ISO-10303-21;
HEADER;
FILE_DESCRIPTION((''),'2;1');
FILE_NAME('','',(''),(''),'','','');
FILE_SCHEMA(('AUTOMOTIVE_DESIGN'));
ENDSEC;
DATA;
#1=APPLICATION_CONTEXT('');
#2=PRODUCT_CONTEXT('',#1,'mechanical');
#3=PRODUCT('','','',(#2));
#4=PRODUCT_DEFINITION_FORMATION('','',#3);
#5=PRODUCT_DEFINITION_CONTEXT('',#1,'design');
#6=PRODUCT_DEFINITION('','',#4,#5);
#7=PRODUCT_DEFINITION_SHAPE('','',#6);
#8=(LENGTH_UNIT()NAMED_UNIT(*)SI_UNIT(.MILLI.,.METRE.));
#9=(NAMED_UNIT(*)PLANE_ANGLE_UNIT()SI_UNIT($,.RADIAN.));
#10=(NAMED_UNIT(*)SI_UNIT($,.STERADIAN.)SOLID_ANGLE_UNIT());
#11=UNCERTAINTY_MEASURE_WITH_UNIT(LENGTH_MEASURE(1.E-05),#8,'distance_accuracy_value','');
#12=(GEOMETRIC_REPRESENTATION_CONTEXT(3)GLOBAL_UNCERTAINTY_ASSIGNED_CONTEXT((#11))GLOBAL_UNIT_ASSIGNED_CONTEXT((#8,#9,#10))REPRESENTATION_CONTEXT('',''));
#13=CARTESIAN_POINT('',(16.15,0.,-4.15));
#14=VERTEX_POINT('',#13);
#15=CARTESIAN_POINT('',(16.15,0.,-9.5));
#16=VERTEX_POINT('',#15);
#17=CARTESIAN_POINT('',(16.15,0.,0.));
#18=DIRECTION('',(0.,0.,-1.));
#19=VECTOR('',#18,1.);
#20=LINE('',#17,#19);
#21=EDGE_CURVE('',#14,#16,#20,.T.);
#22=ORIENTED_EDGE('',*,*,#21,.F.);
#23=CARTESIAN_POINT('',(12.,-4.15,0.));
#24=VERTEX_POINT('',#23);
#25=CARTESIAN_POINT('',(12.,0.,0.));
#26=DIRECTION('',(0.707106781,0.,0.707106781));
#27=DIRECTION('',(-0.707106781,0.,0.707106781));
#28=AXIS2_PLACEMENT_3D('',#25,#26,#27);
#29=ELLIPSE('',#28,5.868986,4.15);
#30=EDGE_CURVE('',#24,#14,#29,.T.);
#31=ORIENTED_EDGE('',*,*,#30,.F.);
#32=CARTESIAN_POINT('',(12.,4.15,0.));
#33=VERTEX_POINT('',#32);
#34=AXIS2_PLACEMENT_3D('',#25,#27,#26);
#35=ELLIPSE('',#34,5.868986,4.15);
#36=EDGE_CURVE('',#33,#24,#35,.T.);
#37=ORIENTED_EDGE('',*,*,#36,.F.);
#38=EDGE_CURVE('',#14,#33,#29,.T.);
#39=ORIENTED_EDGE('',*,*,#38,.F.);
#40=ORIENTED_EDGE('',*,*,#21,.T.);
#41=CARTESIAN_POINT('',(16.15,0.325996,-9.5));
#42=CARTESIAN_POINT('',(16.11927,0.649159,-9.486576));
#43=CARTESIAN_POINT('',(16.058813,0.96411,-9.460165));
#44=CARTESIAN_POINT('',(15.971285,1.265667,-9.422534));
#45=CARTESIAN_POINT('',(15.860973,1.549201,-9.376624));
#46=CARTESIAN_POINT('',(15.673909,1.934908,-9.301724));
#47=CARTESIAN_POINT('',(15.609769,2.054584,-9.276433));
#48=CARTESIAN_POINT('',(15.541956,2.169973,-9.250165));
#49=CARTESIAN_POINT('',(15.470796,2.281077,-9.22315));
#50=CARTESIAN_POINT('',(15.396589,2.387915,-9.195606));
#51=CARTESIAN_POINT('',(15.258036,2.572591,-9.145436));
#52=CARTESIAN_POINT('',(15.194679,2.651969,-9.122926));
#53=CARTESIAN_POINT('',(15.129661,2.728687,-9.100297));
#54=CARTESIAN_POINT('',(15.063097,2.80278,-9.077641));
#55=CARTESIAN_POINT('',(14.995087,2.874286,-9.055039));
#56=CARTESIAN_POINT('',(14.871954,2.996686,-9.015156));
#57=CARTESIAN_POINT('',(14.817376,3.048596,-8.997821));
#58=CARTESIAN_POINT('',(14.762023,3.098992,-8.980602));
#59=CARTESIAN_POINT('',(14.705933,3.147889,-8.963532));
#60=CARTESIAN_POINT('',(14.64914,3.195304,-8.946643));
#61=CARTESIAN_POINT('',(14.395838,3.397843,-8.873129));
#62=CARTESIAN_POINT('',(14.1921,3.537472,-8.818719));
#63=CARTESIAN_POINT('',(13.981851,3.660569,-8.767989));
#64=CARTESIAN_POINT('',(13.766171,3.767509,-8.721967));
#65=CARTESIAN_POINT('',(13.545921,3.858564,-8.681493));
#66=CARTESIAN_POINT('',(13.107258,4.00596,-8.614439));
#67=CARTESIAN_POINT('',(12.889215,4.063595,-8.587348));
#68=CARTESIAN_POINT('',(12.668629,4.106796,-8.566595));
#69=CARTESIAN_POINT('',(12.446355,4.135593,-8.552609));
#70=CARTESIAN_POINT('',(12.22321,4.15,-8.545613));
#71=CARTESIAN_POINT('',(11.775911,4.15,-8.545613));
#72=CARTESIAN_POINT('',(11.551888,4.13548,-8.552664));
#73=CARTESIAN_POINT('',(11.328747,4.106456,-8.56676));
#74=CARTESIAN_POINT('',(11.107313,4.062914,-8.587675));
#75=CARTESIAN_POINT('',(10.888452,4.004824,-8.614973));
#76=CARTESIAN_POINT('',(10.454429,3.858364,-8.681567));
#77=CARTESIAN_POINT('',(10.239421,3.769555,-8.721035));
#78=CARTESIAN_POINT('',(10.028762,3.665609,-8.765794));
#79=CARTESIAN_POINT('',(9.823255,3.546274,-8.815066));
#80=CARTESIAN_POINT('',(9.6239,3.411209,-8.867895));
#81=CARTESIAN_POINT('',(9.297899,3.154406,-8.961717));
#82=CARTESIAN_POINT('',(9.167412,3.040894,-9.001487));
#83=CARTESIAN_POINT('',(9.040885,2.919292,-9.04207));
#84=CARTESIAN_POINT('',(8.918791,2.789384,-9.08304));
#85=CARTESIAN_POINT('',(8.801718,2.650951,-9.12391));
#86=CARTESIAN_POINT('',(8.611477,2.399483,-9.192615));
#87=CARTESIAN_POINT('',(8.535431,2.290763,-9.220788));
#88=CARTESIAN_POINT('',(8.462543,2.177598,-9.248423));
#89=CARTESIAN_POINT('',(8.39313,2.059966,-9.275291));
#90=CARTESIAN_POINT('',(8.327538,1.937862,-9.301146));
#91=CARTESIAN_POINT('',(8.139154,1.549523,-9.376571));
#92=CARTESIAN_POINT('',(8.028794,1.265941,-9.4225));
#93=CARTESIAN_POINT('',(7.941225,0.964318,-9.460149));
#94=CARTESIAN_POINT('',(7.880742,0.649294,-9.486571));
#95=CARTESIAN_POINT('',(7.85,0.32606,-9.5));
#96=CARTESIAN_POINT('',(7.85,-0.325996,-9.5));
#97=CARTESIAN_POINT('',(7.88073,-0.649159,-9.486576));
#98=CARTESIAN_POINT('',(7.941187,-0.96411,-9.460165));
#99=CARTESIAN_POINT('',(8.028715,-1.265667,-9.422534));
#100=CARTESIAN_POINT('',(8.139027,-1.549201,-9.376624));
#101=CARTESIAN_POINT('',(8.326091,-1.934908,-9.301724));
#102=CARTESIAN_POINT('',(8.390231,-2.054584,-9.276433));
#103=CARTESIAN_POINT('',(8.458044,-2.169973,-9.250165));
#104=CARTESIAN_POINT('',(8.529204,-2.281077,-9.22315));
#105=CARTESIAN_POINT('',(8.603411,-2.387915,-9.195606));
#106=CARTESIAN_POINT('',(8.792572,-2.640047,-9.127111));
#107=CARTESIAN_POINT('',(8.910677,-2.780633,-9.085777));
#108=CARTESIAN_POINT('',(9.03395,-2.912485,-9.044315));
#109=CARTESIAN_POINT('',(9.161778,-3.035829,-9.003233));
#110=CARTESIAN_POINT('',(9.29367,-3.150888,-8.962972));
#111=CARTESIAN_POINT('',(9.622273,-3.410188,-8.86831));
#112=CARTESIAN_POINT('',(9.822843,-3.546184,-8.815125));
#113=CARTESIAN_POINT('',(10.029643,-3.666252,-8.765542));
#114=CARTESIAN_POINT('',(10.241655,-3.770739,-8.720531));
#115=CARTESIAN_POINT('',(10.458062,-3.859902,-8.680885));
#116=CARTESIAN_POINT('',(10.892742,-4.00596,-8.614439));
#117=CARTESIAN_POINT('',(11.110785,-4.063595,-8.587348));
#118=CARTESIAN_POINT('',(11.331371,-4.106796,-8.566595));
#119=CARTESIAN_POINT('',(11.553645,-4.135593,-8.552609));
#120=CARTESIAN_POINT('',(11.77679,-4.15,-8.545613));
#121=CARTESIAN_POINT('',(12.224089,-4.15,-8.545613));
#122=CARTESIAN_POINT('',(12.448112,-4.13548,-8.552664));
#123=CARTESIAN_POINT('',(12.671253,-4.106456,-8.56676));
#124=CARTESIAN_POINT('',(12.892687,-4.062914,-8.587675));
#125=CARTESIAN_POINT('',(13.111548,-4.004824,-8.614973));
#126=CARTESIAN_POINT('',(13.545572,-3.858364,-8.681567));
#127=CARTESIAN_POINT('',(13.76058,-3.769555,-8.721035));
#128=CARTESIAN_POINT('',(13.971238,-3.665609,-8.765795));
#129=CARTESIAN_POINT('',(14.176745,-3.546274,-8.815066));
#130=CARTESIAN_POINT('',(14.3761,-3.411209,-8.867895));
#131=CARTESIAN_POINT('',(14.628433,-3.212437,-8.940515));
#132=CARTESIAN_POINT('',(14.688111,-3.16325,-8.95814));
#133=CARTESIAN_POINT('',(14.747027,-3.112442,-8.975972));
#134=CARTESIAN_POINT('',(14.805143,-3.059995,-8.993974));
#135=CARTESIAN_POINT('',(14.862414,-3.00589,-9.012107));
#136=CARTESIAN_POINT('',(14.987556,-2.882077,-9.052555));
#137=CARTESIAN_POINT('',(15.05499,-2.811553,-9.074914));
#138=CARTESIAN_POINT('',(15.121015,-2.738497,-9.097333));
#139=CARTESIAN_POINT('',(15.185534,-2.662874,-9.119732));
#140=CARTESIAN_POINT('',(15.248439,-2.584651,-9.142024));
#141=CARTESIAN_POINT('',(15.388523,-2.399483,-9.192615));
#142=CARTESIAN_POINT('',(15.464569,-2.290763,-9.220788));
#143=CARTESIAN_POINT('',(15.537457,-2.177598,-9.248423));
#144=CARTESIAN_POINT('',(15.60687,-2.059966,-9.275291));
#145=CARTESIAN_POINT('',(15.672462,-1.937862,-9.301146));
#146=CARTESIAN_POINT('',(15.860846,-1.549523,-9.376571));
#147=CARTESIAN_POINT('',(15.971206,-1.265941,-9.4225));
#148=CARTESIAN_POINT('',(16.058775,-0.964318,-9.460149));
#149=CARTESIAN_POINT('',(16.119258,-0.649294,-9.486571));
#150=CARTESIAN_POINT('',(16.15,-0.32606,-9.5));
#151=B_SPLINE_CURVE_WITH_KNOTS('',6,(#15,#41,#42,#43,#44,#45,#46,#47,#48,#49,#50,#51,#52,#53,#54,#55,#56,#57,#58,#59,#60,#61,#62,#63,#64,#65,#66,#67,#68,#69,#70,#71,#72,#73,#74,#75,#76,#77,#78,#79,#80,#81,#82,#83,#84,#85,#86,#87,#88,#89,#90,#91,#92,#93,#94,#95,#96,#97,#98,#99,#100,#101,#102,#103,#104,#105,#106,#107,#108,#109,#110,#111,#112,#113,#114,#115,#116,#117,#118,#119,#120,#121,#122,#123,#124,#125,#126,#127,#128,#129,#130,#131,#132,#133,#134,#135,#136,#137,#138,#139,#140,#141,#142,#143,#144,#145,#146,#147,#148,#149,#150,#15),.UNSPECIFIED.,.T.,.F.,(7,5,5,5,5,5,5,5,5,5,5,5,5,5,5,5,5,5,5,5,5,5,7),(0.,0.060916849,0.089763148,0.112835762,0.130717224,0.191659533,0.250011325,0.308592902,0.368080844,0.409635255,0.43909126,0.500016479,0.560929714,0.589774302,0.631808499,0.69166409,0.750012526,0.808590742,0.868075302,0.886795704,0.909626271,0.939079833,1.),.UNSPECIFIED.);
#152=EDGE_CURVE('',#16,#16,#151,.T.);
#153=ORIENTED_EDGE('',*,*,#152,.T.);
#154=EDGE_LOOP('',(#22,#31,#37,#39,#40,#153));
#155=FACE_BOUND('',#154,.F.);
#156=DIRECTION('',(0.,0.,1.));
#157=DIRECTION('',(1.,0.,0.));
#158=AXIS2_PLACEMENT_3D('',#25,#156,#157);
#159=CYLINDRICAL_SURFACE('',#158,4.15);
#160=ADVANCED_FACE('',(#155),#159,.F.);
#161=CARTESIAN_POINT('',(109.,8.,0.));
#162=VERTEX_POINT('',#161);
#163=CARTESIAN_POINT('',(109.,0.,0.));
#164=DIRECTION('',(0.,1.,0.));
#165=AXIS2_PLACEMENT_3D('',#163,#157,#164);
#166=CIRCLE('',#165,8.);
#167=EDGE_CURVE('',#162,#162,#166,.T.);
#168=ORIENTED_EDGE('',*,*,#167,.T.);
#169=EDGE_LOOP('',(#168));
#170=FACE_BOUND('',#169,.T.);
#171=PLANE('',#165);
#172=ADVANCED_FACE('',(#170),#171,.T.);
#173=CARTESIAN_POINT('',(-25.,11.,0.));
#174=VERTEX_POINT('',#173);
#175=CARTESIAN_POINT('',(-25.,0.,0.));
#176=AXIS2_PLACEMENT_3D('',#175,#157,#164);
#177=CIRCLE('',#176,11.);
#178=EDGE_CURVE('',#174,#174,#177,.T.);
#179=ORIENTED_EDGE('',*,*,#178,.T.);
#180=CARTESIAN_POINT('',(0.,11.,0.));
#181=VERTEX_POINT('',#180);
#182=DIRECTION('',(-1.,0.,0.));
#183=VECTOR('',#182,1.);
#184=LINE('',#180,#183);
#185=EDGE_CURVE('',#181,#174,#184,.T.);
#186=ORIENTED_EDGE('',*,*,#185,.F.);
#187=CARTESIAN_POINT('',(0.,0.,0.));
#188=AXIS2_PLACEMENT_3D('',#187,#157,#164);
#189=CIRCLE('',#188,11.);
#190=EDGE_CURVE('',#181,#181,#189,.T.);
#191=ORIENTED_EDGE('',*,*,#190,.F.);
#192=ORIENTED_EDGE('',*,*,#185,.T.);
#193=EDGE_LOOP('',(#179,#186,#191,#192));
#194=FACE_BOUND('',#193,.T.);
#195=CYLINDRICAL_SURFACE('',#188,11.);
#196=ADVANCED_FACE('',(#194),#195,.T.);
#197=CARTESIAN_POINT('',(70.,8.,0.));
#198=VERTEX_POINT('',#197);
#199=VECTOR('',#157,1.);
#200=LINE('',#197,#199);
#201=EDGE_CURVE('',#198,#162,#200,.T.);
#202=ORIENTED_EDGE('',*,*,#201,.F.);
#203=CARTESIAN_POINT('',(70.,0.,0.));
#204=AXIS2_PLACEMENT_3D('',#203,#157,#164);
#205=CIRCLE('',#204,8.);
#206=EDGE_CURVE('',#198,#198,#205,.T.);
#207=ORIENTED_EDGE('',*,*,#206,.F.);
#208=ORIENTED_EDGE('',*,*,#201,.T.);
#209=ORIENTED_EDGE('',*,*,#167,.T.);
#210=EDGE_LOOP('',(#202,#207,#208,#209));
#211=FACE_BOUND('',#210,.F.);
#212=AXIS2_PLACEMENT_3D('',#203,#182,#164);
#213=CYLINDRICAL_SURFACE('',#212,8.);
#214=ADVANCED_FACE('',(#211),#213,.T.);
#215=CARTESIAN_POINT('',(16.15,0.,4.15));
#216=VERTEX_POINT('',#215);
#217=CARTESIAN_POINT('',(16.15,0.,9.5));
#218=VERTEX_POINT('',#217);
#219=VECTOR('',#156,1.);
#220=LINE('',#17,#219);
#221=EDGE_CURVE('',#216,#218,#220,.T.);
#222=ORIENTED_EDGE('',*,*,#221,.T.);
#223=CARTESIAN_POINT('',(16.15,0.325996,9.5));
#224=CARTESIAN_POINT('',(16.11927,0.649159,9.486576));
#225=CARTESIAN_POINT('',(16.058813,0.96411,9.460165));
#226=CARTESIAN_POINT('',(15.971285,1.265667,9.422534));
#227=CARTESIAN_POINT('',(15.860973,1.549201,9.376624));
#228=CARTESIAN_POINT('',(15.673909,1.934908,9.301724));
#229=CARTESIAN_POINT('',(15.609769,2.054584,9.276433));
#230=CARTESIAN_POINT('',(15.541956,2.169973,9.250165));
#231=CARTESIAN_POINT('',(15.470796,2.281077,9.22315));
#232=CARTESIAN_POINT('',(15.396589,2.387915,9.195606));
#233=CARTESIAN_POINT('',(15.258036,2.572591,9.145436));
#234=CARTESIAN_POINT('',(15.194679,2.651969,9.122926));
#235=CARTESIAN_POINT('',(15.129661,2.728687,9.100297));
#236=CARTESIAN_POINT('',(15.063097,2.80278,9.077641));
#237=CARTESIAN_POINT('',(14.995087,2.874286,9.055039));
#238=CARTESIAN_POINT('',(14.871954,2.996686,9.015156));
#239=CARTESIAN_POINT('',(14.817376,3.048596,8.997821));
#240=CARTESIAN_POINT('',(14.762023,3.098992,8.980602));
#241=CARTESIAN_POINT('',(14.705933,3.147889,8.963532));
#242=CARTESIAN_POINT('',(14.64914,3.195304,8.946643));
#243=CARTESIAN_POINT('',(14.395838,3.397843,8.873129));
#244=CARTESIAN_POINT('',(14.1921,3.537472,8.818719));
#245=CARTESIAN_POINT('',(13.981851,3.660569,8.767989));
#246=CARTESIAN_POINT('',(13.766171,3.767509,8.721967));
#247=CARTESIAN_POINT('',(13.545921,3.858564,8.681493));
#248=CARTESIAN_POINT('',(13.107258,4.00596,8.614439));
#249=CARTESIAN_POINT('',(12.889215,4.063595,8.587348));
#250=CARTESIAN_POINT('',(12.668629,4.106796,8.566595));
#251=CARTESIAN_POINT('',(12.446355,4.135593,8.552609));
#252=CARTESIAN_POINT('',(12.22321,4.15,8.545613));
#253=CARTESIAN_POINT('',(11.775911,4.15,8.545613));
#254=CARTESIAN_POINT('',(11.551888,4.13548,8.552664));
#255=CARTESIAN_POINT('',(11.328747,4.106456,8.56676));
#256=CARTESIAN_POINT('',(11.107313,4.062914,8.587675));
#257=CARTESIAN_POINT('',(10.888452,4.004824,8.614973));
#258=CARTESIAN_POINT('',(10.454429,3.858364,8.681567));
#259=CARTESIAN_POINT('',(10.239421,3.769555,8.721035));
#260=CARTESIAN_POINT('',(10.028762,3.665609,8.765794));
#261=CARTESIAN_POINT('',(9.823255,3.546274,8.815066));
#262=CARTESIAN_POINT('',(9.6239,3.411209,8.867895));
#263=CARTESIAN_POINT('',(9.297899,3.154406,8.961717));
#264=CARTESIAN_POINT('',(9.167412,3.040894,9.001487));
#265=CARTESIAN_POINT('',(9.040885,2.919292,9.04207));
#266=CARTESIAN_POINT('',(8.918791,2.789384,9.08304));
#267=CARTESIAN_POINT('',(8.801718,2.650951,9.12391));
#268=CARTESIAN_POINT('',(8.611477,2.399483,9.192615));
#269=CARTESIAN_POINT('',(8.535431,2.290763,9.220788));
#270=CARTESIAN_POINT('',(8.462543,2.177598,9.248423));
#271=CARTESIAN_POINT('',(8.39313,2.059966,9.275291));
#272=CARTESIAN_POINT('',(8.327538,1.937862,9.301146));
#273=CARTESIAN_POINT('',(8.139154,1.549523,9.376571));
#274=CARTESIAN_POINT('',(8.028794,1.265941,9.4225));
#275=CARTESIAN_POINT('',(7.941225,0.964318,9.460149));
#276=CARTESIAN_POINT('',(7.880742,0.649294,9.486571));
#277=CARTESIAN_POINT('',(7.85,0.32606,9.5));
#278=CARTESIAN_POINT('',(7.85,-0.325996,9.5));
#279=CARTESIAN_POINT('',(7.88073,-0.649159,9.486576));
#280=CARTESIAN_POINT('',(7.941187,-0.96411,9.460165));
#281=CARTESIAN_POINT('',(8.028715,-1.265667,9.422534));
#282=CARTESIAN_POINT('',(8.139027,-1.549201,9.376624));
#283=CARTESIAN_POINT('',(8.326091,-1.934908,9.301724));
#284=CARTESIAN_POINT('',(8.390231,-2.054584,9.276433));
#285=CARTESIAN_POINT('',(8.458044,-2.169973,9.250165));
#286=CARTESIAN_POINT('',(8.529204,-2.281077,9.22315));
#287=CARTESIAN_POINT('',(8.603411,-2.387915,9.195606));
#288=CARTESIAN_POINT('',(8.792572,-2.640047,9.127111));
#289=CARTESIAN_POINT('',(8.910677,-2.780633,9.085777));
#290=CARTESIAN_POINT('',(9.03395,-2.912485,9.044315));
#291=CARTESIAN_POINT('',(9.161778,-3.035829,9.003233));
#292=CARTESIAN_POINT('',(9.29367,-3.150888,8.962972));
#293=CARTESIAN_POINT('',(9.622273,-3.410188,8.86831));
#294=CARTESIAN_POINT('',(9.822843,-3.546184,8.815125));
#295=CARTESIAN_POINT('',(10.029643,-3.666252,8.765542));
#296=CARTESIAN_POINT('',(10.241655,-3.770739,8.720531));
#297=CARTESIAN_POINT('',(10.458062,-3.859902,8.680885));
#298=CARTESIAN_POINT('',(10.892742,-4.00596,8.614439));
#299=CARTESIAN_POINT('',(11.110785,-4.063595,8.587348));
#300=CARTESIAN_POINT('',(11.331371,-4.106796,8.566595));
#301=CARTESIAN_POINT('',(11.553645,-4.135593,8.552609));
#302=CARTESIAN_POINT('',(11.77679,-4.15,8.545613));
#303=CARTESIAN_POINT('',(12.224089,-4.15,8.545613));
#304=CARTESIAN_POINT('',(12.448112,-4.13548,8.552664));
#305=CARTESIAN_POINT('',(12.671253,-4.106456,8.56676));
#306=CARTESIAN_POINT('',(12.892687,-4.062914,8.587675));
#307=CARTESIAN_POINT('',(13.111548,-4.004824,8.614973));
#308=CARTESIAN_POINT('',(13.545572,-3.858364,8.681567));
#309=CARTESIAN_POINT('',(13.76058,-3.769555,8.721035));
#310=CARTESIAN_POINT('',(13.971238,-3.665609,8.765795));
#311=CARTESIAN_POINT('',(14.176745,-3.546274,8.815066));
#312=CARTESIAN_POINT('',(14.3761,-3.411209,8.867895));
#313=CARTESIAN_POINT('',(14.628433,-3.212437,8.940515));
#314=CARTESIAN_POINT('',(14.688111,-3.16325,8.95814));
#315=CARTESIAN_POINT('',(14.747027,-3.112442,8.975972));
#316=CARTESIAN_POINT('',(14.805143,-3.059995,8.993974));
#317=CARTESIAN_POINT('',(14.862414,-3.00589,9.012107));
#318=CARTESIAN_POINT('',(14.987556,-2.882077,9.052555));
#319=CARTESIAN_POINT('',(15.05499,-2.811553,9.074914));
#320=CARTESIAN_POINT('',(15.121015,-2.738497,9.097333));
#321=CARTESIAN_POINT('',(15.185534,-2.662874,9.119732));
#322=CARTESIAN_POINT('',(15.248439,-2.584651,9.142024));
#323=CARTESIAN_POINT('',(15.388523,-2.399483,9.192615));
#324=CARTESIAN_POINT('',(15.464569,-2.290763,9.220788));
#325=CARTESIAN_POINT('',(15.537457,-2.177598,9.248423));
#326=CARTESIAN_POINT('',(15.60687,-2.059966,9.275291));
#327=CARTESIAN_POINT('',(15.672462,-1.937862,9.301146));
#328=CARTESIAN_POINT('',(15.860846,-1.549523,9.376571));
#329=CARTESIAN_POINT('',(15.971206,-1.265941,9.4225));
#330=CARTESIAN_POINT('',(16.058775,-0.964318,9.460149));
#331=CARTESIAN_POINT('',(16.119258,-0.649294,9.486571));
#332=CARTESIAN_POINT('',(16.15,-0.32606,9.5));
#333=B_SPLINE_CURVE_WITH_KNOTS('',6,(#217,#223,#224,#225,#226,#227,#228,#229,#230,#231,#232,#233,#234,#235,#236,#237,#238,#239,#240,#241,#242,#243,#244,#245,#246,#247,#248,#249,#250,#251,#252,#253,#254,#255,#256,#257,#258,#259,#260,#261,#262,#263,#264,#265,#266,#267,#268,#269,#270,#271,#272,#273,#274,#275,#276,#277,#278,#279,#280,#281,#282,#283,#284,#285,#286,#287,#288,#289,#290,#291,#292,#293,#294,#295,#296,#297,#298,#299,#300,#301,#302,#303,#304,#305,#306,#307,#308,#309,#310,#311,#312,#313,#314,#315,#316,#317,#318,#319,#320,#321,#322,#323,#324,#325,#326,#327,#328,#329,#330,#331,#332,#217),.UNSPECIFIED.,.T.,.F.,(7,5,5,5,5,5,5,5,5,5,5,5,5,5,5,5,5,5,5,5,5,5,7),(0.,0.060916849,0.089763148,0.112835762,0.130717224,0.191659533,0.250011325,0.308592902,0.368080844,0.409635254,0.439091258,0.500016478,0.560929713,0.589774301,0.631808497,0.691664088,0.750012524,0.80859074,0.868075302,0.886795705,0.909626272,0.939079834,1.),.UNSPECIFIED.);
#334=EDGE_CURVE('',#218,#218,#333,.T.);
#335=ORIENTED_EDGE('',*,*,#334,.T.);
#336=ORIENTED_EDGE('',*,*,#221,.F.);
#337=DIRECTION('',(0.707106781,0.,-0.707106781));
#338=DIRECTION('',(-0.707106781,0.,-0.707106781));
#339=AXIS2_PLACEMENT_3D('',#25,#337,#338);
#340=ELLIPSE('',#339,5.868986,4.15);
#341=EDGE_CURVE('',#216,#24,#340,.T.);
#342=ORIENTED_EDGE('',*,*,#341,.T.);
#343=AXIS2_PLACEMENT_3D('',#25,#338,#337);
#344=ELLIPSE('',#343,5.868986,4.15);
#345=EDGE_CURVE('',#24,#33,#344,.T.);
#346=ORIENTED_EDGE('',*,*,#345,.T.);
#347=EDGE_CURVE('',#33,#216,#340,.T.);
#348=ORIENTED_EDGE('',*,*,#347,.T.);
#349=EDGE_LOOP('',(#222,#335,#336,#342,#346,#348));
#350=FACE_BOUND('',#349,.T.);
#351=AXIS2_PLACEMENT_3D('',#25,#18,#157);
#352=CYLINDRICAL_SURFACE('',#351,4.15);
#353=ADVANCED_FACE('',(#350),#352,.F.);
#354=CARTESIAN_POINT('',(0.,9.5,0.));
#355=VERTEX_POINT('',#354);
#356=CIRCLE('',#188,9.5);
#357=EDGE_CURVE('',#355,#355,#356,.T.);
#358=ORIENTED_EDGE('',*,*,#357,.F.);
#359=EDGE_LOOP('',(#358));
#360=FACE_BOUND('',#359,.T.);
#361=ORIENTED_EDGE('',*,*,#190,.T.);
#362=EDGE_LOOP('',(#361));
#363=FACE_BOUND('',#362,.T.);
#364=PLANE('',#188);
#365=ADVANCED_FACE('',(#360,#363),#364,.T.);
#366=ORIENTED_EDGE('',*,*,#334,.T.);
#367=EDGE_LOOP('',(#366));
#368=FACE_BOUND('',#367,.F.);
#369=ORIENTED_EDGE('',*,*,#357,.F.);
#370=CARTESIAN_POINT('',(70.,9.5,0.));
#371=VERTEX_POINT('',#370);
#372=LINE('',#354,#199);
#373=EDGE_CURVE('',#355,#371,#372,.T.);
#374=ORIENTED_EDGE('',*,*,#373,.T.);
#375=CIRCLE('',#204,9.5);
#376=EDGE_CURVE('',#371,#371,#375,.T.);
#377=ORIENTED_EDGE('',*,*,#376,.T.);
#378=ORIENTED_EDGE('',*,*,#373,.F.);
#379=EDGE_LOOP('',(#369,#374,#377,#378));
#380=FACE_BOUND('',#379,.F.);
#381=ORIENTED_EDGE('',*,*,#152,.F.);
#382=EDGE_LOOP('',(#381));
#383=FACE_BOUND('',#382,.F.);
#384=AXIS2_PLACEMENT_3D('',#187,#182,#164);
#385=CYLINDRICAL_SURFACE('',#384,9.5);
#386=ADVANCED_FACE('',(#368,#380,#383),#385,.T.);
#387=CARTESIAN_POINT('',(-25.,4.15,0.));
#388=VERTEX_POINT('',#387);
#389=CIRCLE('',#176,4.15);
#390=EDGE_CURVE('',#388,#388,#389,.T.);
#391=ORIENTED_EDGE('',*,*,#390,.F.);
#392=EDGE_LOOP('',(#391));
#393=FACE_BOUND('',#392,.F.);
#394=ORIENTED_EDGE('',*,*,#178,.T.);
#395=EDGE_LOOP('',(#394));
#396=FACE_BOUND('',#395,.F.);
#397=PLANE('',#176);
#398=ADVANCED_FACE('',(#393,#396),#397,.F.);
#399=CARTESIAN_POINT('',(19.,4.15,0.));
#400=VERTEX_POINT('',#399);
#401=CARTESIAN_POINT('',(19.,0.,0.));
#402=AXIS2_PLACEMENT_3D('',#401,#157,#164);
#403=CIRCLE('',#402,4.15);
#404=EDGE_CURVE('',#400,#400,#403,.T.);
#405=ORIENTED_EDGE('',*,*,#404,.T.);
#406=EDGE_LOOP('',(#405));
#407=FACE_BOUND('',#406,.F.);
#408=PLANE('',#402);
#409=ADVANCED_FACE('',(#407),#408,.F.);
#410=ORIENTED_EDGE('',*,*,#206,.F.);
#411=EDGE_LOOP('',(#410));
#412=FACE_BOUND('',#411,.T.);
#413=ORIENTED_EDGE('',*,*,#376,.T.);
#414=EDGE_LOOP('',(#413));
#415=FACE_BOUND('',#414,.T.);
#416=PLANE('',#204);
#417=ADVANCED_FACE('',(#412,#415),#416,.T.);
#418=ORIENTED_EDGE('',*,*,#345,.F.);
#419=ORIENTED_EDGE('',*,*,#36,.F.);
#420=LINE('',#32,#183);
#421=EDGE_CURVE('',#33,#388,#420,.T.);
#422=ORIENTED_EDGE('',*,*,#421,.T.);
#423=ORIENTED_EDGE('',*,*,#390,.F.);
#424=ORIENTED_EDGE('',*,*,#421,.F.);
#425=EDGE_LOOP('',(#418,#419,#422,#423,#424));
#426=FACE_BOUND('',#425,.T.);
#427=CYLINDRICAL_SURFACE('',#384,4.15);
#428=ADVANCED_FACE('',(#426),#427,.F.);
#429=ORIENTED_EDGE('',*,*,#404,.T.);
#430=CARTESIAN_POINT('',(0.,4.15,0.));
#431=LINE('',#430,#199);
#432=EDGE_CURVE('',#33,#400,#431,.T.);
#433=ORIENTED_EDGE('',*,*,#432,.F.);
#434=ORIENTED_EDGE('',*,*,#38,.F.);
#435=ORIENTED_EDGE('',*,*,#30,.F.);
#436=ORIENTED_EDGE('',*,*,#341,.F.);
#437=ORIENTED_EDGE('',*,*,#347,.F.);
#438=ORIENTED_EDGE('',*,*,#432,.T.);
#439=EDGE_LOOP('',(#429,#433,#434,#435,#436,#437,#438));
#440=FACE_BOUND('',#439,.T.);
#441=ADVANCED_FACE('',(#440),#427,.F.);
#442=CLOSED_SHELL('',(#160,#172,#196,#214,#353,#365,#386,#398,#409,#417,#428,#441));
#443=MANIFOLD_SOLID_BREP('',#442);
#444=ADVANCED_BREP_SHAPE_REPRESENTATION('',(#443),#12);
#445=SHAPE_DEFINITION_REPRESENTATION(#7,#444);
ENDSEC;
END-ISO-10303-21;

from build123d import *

# Parameters (mm, degrees)
F0_R          = 11
F0_R_2        = 4.15
F1_DEPTH      = 25
F2_R          = 9.5
F3_DEPTH      = 70
F5_R          = 4.15
F6_DEPTH      = 11.001
F6_DEPTH_BACK = 11.001
F7_R          = 8
F8_DEPTH      = 39
F9_DEPTH      = 19


with BuildPart() as f1:
    # F0 (on Right) → F1 (new body)
    with BuildSketch(Plane.YZ):
        Circle(F0_R)
        Circle(F0_R_2, mode=Mode.SUBTRACT)
    extrude(amount=-F1_DEPTH)

    # F2 (on face) → F3 (join)
    with BuildSketch(Plane.YZ):
        Circle(F2_R)
    extrude(amount=F3_DEPTH)

    # F5 (on plane+point) → F6 (cut, two sides)
    with BuildSketch(Plane.XY) as f6_sk:
        with Locations((12, 0)):
            Circle(F5_R)
    extrude(amount=-F6_DEPTH, mode=Mode.SUBTRACT)
    extrude(f6_sk.sketch, amount=F6_DEPTH_BACK, mode=Mode.SUBTRACT)

    # F7 (on face) → F8 (join)
    with BuildSketch(Plane.YZ.offset(70)):
        Circle(F7_R)
    extrude(amount=F8_DEPTH)

    # F9 (cut): a face of the model
    f9_faces = [f1.faces().sort_by_distance(p)[0] for p in [
        (0, 0, 0),
    ]]
    extrude(f9_faces, amount=-F9_DEPTH, mode=Mode.SUBTRACT)


solid = f1.part
